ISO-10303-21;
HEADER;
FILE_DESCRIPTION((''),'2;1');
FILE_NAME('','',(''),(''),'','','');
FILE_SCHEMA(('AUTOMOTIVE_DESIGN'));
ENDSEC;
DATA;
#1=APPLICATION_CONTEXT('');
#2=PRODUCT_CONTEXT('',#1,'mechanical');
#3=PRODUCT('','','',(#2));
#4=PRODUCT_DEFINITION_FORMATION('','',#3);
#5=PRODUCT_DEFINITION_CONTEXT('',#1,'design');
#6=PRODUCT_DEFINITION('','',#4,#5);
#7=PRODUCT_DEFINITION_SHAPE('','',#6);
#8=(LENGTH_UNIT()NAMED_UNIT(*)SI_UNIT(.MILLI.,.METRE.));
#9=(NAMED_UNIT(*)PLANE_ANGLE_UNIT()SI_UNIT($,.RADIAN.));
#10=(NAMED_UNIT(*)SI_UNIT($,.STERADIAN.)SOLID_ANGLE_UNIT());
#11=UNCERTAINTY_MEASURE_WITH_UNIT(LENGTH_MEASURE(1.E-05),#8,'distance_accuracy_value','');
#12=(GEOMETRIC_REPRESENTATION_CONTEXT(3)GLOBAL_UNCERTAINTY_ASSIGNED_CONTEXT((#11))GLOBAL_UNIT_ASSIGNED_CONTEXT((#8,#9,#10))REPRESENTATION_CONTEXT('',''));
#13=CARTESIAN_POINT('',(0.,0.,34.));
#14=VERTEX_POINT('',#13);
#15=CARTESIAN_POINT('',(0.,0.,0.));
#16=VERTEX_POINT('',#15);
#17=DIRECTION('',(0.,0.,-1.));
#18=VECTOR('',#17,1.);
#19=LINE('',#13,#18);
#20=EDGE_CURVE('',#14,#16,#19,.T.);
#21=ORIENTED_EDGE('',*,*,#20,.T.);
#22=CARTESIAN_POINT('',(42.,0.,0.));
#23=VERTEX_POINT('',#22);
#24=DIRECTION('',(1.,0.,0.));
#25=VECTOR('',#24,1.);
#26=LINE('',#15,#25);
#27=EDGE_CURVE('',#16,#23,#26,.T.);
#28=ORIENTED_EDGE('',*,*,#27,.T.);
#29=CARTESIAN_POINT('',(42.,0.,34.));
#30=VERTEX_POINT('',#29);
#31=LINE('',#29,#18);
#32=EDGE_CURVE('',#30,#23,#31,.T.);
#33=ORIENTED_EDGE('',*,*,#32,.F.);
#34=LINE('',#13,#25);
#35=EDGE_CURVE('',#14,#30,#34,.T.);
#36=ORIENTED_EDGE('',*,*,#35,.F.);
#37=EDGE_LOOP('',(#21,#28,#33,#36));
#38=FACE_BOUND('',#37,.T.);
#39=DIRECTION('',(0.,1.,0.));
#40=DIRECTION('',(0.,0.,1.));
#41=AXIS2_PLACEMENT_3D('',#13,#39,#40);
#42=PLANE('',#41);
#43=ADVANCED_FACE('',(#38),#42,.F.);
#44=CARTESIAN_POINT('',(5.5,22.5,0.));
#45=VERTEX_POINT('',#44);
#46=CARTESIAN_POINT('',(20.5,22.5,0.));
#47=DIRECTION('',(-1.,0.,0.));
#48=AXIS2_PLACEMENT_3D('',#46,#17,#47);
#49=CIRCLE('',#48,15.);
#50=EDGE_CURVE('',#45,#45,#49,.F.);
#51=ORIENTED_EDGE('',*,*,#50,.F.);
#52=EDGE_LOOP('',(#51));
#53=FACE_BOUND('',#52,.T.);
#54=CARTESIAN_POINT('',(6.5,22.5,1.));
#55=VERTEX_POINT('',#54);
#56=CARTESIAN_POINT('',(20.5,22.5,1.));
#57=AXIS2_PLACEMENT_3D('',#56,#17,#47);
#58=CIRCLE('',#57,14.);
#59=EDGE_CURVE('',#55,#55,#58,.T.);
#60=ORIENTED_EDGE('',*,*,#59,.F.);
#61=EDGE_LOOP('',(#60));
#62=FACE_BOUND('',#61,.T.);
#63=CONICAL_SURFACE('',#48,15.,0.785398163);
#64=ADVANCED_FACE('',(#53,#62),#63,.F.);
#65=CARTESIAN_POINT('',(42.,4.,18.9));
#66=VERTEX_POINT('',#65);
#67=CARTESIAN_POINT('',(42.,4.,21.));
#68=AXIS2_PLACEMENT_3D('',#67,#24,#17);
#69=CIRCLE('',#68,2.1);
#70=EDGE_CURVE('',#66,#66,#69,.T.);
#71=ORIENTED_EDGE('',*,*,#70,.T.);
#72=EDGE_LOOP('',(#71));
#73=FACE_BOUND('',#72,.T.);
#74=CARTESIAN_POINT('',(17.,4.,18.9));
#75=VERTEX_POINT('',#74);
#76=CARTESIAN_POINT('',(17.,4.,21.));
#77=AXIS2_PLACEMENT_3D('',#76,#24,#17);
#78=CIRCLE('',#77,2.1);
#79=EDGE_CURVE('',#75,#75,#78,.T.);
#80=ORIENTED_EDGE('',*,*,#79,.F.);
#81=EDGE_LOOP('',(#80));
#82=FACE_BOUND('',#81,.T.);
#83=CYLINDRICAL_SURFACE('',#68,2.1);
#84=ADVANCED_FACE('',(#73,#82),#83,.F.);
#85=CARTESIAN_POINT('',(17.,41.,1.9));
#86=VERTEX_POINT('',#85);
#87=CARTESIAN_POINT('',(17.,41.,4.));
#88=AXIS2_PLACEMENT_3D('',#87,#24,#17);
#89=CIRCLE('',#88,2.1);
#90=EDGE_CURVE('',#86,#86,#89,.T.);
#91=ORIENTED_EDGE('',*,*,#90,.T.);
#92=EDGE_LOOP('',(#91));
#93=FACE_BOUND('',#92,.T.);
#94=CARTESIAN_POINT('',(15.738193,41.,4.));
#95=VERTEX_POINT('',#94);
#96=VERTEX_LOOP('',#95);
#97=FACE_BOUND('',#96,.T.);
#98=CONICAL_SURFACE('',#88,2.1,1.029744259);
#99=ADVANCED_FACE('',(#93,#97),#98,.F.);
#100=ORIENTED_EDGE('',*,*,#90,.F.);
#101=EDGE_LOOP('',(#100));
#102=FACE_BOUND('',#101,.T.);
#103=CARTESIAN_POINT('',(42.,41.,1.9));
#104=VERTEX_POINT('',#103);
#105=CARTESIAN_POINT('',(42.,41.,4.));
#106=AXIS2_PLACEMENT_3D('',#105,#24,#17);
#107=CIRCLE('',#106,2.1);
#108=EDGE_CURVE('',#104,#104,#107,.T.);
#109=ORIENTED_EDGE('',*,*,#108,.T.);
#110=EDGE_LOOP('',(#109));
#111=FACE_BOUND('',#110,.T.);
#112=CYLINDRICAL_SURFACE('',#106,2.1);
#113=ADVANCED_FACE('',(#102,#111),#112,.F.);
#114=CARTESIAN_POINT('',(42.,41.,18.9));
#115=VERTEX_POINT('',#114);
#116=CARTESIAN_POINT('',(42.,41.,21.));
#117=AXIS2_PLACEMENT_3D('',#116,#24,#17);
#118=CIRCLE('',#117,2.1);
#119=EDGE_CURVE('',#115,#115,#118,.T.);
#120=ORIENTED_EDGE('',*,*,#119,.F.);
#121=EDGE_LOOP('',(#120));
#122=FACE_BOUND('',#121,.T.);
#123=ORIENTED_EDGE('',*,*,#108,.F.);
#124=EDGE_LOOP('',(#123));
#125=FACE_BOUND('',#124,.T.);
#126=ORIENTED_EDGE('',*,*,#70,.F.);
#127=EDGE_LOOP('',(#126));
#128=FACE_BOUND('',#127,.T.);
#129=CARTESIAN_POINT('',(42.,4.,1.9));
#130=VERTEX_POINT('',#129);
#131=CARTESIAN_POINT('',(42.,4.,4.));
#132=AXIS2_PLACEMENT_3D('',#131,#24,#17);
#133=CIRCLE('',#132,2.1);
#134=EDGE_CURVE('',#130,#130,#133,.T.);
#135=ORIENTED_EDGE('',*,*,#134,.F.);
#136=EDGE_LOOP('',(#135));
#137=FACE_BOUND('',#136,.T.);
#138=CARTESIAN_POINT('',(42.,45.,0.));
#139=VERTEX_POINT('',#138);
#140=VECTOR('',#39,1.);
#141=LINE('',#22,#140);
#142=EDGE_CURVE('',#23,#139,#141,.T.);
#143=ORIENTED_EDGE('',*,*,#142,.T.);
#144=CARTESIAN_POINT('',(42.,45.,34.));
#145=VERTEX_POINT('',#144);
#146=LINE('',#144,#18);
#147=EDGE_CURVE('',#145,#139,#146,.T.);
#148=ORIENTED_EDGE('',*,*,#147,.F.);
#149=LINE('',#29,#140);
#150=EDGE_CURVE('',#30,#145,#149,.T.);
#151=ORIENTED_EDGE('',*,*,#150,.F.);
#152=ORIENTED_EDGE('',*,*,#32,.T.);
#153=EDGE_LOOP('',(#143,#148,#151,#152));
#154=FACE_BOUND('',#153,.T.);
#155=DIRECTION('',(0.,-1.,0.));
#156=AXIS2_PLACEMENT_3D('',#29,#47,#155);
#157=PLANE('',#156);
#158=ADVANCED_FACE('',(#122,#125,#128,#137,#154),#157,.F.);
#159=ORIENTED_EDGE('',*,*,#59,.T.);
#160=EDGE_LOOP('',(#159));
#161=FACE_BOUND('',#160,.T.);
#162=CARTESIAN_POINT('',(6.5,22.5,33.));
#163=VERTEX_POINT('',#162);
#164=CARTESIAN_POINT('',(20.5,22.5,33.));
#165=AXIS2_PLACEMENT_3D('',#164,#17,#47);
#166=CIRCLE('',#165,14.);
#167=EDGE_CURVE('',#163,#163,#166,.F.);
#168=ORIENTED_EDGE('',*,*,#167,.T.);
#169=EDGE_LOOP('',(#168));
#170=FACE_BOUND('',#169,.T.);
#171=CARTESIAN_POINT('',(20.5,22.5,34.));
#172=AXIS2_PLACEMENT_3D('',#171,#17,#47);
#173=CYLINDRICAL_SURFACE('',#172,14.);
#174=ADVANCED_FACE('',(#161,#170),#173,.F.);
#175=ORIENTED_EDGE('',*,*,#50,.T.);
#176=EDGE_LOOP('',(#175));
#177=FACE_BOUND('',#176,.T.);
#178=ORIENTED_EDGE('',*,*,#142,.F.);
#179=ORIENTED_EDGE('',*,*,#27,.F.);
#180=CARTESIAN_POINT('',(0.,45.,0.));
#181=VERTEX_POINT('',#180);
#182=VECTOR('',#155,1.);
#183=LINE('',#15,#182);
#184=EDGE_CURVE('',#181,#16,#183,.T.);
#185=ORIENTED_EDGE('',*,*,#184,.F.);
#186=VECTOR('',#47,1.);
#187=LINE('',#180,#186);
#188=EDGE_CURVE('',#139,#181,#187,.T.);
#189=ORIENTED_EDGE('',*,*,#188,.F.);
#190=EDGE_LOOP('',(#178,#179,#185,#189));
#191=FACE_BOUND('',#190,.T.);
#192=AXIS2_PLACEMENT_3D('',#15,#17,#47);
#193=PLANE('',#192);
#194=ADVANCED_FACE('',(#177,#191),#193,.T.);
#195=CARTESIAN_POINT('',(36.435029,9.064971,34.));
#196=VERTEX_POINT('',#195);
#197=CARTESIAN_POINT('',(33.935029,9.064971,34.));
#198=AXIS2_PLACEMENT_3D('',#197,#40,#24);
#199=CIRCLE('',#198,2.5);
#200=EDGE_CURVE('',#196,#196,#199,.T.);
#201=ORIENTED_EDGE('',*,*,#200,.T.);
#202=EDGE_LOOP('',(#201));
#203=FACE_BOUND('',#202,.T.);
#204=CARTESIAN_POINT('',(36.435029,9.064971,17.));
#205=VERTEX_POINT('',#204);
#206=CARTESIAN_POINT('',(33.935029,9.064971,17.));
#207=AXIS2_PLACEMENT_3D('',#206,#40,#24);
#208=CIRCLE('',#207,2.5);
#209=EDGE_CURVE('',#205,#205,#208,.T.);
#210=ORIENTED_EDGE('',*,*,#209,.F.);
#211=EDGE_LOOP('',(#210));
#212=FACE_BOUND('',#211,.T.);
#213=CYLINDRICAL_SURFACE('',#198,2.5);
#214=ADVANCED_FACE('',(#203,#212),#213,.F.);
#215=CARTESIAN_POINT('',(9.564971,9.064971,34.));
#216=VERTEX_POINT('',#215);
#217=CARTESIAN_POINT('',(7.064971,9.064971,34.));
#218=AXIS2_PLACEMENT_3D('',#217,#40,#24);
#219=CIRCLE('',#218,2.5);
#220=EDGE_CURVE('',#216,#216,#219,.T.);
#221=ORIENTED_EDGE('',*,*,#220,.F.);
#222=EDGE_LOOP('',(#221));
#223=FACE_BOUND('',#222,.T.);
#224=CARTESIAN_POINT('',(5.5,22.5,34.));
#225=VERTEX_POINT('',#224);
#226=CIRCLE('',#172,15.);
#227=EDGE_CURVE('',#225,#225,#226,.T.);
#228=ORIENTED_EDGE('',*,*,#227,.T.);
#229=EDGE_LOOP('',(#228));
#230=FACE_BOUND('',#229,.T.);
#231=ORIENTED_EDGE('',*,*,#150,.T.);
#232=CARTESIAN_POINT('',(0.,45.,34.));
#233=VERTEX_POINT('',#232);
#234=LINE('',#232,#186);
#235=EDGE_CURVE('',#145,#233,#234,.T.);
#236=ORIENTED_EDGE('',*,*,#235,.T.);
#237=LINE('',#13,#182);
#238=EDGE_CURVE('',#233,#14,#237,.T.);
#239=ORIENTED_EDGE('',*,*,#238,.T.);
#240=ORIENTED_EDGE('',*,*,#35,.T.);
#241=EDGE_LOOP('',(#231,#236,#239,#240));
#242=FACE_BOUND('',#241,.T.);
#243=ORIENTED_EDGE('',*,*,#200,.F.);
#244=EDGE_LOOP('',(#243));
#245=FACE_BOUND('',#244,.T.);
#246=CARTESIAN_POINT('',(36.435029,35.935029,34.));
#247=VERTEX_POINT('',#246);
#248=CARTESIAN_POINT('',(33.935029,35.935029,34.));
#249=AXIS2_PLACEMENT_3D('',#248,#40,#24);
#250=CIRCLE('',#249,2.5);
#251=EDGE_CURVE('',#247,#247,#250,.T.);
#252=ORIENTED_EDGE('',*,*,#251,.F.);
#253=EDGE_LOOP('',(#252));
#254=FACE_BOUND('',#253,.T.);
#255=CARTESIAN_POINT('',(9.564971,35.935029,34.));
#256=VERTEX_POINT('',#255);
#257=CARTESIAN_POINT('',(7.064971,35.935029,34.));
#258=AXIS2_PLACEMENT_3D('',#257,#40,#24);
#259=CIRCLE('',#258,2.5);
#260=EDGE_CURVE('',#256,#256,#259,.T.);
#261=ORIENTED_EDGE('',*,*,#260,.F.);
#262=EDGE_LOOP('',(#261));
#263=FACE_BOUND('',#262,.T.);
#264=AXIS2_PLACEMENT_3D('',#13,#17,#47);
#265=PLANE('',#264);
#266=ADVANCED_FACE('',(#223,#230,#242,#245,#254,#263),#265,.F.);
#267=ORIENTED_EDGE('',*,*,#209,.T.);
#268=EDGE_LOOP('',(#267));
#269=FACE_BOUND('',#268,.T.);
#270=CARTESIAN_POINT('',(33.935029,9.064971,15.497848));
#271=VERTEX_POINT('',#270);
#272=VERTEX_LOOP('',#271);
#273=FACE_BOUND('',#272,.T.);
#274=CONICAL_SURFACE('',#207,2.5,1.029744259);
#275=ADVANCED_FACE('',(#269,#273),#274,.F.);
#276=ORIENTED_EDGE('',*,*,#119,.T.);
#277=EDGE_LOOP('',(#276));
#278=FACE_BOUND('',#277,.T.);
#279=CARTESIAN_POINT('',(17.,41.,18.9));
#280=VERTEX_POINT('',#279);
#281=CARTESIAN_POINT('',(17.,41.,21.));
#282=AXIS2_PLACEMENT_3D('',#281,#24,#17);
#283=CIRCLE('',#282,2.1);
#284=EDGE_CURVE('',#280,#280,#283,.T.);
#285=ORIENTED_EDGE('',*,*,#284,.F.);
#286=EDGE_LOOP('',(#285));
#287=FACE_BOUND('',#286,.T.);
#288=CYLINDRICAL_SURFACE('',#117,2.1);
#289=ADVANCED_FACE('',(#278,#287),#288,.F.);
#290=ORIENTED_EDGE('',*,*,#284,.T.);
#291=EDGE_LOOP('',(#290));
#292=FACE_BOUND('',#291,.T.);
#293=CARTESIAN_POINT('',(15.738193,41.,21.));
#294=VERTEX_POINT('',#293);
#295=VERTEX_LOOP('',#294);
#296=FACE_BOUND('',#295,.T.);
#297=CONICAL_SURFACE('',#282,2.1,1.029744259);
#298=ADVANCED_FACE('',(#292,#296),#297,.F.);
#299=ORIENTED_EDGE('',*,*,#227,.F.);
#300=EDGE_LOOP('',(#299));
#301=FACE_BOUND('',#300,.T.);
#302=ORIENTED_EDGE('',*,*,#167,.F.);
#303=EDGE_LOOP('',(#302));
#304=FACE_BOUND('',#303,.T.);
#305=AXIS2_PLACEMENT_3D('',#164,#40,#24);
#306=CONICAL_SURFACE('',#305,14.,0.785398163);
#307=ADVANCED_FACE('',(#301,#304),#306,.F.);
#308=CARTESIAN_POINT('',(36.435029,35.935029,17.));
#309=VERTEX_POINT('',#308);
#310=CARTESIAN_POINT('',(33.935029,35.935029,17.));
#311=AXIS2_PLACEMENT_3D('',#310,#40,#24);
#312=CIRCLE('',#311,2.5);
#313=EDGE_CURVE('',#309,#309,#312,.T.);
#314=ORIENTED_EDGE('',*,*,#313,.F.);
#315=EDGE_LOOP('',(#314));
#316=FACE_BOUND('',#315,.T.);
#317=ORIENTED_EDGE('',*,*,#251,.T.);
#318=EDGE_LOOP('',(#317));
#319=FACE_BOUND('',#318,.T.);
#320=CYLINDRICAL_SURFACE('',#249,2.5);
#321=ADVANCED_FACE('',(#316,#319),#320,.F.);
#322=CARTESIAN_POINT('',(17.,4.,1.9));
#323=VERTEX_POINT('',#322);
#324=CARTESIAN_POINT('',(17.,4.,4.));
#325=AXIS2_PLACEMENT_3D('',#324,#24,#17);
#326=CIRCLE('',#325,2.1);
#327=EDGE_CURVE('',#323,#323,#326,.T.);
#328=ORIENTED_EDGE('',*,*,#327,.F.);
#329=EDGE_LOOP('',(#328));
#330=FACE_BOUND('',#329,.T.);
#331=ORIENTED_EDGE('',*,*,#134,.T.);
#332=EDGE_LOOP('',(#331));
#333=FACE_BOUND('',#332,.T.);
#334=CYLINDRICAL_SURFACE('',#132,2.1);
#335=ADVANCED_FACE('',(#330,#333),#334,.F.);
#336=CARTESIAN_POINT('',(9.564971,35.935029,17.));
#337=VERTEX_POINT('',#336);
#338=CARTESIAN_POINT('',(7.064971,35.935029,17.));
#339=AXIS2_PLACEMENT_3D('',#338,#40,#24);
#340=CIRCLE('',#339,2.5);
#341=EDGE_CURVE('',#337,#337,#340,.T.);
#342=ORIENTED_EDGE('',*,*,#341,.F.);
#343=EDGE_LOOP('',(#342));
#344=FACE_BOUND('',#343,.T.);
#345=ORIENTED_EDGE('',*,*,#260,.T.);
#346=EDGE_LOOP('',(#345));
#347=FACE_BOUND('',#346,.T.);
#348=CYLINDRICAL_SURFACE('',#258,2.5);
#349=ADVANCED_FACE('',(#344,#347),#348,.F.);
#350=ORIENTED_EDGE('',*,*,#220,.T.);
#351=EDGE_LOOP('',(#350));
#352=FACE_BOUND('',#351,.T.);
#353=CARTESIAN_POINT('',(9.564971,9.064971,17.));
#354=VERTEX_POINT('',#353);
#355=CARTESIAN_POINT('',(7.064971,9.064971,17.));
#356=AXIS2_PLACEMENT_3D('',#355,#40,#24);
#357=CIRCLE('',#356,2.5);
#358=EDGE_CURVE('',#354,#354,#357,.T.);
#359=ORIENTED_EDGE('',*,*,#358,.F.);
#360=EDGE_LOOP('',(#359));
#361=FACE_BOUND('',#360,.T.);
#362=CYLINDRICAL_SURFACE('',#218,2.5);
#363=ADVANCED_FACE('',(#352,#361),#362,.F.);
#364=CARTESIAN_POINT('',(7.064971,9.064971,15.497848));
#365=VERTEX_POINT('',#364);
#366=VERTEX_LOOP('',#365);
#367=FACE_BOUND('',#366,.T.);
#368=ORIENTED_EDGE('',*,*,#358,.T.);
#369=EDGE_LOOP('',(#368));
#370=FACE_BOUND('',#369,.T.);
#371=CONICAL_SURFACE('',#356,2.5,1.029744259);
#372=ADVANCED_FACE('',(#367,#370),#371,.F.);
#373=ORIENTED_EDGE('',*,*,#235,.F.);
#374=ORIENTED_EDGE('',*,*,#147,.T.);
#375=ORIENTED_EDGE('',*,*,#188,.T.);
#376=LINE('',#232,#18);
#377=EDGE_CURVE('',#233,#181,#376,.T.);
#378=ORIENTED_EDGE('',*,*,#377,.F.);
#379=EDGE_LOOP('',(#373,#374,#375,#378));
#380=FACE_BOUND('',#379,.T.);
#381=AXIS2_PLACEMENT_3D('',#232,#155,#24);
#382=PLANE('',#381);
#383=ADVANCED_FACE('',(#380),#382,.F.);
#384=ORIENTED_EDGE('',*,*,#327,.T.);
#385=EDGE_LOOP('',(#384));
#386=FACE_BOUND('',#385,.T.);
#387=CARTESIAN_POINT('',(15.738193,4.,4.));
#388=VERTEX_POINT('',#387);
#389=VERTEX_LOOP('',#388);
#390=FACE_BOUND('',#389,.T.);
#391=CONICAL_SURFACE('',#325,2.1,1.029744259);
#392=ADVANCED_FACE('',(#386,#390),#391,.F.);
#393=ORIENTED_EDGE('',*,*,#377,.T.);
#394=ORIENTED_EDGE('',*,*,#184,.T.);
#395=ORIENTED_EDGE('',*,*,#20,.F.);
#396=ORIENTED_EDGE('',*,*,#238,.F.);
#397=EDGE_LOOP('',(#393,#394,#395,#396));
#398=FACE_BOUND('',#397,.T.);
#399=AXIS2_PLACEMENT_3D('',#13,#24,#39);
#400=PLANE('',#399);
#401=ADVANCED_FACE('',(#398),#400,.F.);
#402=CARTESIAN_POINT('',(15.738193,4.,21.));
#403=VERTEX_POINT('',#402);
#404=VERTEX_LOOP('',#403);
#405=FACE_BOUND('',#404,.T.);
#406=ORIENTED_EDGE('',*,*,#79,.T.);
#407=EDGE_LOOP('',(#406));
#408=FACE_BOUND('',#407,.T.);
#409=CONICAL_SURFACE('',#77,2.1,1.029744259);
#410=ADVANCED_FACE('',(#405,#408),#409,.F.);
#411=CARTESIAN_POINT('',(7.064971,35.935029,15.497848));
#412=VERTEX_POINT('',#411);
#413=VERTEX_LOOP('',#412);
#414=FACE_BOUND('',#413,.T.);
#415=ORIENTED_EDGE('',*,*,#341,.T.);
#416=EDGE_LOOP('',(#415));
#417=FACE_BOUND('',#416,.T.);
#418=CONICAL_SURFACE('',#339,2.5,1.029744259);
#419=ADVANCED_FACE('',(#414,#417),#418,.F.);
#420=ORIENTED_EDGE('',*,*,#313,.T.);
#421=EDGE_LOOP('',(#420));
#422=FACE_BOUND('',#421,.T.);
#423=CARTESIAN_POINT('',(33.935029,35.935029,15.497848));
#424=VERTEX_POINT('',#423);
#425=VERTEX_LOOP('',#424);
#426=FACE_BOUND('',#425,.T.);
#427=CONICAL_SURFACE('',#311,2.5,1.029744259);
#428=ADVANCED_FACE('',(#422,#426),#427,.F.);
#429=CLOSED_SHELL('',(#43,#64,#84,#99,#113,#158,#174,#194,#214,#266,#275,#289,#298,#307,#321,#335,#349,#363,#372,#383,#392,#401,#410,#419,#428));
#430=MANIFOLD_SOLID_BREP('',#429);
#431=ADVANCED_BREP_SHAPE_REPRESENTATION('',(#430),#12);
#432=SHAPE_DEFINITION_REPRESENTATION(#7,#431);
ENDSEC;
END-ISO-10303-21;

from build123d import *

# Parameters (mm, degrees)
SZKIC1_W                       = 42
SZKIC1_H                       = 45
SZKIC1_R                       = 14
DODANIE_WYCI_GNI_CIE1_DEPTH    = 34
SFAZOWANIE1_SIZE               = 1
OTW_R_GWINTOWANY_M6X1_01_D     = 5
OTW_R_GWINTOWANY_M6X1_01_DEPTH = 17
OTW_R_GWINTOWANY_M6X1_01_TIP   = 1.502151548
OTW_R_GWINTOWANY_M5X0_82_D     = 4.2
OTW_R_GWINTOWANY_M5X0_82_DEPTH = 25
OTW_R_GWINTOWANY_M5X0_82_TIP   = 1.2618073


with BuildPart() as part:
    # Szkic1 → Dodanie-wyciągnięcie1 (new body)
    with BuildSketch(Plane.XY):
        with Locations((21, 22.5)):
            Rectangle(SZKIC1_W, SZKIC1_H)
        with Locations((20.5, 22.5)):
            Circle(SZKIC1_R, mode=Mode.SUBTRACT)
    extrude(amount=DODANIE_WYCI_GNI_CIE1_DEPTH)

    # Sfazowanie1
    sfazowanie1_edges = [part.edges().sort_by_distance(p)[0] for p in [
        (6.5, 22.5, 0),
        (6.5, 22.5, 34),
    ]]
    chamfer(sfazowanie1_edges, length=SFAZOWANIE1_SIZE)

    # Otwór gwintowany M6x1.01
    with Locations(Plane.XY.offset(34)):
        with Locations((33.935028843, 35.935028843), (7.064971157, 35.935028843), (7.064971157, 9.064971157), (33.935028843, 9.064971157)):
            Hole(OTW_R_GWINTOWANY_M6X1_01_D / 2, depth=OTW_R_GWINTOWANY_M6X1_01_DEPTH)
            with Locations((0, 0, -(OTW_R_GWINTOWANY_M6X1_01_DEPTH + OTW_R_GWINTOWANY_M6X1_01_TIP / 2))):  # 118° drill point
                Cone(0, OTW_R_GWINTOWANY_M6X1_01_D / 2, OTW_R_GWINTOWANY_M6X1_01_TIP, mode=Mode.SUBTRACT)

    # Otwór gwintowany M5x0.82
    with Locations(Plane(origin=(42, 0, 0), x_dir=(0, 0, -1), z_dir=(1, 0, 0))):
        with Locations((-21, 41), (-4, 41), (-4, 4), (-21, 4)):
            Hole(OTW_R_GWINTOWANY_M5X0_82_D / 2, depth=OTW_R_GWINTOWANY_M5X0_82_DEPTH)
            with Locations((0, 0, -(OTW_R_GWINTOWANY_M5X0_82_DEPTH + OTW_R_GWINTOWANY_M5X0_82_TIP / 2))):  # 118° drill point
                Cone(0, OTW_R_GWINTOWANY_M5X0_82_D / 2, OTW_R_GWINTOWANY_M5X0_82_TIP, mode=Mode.SUBTRACT)


solid = part.part
